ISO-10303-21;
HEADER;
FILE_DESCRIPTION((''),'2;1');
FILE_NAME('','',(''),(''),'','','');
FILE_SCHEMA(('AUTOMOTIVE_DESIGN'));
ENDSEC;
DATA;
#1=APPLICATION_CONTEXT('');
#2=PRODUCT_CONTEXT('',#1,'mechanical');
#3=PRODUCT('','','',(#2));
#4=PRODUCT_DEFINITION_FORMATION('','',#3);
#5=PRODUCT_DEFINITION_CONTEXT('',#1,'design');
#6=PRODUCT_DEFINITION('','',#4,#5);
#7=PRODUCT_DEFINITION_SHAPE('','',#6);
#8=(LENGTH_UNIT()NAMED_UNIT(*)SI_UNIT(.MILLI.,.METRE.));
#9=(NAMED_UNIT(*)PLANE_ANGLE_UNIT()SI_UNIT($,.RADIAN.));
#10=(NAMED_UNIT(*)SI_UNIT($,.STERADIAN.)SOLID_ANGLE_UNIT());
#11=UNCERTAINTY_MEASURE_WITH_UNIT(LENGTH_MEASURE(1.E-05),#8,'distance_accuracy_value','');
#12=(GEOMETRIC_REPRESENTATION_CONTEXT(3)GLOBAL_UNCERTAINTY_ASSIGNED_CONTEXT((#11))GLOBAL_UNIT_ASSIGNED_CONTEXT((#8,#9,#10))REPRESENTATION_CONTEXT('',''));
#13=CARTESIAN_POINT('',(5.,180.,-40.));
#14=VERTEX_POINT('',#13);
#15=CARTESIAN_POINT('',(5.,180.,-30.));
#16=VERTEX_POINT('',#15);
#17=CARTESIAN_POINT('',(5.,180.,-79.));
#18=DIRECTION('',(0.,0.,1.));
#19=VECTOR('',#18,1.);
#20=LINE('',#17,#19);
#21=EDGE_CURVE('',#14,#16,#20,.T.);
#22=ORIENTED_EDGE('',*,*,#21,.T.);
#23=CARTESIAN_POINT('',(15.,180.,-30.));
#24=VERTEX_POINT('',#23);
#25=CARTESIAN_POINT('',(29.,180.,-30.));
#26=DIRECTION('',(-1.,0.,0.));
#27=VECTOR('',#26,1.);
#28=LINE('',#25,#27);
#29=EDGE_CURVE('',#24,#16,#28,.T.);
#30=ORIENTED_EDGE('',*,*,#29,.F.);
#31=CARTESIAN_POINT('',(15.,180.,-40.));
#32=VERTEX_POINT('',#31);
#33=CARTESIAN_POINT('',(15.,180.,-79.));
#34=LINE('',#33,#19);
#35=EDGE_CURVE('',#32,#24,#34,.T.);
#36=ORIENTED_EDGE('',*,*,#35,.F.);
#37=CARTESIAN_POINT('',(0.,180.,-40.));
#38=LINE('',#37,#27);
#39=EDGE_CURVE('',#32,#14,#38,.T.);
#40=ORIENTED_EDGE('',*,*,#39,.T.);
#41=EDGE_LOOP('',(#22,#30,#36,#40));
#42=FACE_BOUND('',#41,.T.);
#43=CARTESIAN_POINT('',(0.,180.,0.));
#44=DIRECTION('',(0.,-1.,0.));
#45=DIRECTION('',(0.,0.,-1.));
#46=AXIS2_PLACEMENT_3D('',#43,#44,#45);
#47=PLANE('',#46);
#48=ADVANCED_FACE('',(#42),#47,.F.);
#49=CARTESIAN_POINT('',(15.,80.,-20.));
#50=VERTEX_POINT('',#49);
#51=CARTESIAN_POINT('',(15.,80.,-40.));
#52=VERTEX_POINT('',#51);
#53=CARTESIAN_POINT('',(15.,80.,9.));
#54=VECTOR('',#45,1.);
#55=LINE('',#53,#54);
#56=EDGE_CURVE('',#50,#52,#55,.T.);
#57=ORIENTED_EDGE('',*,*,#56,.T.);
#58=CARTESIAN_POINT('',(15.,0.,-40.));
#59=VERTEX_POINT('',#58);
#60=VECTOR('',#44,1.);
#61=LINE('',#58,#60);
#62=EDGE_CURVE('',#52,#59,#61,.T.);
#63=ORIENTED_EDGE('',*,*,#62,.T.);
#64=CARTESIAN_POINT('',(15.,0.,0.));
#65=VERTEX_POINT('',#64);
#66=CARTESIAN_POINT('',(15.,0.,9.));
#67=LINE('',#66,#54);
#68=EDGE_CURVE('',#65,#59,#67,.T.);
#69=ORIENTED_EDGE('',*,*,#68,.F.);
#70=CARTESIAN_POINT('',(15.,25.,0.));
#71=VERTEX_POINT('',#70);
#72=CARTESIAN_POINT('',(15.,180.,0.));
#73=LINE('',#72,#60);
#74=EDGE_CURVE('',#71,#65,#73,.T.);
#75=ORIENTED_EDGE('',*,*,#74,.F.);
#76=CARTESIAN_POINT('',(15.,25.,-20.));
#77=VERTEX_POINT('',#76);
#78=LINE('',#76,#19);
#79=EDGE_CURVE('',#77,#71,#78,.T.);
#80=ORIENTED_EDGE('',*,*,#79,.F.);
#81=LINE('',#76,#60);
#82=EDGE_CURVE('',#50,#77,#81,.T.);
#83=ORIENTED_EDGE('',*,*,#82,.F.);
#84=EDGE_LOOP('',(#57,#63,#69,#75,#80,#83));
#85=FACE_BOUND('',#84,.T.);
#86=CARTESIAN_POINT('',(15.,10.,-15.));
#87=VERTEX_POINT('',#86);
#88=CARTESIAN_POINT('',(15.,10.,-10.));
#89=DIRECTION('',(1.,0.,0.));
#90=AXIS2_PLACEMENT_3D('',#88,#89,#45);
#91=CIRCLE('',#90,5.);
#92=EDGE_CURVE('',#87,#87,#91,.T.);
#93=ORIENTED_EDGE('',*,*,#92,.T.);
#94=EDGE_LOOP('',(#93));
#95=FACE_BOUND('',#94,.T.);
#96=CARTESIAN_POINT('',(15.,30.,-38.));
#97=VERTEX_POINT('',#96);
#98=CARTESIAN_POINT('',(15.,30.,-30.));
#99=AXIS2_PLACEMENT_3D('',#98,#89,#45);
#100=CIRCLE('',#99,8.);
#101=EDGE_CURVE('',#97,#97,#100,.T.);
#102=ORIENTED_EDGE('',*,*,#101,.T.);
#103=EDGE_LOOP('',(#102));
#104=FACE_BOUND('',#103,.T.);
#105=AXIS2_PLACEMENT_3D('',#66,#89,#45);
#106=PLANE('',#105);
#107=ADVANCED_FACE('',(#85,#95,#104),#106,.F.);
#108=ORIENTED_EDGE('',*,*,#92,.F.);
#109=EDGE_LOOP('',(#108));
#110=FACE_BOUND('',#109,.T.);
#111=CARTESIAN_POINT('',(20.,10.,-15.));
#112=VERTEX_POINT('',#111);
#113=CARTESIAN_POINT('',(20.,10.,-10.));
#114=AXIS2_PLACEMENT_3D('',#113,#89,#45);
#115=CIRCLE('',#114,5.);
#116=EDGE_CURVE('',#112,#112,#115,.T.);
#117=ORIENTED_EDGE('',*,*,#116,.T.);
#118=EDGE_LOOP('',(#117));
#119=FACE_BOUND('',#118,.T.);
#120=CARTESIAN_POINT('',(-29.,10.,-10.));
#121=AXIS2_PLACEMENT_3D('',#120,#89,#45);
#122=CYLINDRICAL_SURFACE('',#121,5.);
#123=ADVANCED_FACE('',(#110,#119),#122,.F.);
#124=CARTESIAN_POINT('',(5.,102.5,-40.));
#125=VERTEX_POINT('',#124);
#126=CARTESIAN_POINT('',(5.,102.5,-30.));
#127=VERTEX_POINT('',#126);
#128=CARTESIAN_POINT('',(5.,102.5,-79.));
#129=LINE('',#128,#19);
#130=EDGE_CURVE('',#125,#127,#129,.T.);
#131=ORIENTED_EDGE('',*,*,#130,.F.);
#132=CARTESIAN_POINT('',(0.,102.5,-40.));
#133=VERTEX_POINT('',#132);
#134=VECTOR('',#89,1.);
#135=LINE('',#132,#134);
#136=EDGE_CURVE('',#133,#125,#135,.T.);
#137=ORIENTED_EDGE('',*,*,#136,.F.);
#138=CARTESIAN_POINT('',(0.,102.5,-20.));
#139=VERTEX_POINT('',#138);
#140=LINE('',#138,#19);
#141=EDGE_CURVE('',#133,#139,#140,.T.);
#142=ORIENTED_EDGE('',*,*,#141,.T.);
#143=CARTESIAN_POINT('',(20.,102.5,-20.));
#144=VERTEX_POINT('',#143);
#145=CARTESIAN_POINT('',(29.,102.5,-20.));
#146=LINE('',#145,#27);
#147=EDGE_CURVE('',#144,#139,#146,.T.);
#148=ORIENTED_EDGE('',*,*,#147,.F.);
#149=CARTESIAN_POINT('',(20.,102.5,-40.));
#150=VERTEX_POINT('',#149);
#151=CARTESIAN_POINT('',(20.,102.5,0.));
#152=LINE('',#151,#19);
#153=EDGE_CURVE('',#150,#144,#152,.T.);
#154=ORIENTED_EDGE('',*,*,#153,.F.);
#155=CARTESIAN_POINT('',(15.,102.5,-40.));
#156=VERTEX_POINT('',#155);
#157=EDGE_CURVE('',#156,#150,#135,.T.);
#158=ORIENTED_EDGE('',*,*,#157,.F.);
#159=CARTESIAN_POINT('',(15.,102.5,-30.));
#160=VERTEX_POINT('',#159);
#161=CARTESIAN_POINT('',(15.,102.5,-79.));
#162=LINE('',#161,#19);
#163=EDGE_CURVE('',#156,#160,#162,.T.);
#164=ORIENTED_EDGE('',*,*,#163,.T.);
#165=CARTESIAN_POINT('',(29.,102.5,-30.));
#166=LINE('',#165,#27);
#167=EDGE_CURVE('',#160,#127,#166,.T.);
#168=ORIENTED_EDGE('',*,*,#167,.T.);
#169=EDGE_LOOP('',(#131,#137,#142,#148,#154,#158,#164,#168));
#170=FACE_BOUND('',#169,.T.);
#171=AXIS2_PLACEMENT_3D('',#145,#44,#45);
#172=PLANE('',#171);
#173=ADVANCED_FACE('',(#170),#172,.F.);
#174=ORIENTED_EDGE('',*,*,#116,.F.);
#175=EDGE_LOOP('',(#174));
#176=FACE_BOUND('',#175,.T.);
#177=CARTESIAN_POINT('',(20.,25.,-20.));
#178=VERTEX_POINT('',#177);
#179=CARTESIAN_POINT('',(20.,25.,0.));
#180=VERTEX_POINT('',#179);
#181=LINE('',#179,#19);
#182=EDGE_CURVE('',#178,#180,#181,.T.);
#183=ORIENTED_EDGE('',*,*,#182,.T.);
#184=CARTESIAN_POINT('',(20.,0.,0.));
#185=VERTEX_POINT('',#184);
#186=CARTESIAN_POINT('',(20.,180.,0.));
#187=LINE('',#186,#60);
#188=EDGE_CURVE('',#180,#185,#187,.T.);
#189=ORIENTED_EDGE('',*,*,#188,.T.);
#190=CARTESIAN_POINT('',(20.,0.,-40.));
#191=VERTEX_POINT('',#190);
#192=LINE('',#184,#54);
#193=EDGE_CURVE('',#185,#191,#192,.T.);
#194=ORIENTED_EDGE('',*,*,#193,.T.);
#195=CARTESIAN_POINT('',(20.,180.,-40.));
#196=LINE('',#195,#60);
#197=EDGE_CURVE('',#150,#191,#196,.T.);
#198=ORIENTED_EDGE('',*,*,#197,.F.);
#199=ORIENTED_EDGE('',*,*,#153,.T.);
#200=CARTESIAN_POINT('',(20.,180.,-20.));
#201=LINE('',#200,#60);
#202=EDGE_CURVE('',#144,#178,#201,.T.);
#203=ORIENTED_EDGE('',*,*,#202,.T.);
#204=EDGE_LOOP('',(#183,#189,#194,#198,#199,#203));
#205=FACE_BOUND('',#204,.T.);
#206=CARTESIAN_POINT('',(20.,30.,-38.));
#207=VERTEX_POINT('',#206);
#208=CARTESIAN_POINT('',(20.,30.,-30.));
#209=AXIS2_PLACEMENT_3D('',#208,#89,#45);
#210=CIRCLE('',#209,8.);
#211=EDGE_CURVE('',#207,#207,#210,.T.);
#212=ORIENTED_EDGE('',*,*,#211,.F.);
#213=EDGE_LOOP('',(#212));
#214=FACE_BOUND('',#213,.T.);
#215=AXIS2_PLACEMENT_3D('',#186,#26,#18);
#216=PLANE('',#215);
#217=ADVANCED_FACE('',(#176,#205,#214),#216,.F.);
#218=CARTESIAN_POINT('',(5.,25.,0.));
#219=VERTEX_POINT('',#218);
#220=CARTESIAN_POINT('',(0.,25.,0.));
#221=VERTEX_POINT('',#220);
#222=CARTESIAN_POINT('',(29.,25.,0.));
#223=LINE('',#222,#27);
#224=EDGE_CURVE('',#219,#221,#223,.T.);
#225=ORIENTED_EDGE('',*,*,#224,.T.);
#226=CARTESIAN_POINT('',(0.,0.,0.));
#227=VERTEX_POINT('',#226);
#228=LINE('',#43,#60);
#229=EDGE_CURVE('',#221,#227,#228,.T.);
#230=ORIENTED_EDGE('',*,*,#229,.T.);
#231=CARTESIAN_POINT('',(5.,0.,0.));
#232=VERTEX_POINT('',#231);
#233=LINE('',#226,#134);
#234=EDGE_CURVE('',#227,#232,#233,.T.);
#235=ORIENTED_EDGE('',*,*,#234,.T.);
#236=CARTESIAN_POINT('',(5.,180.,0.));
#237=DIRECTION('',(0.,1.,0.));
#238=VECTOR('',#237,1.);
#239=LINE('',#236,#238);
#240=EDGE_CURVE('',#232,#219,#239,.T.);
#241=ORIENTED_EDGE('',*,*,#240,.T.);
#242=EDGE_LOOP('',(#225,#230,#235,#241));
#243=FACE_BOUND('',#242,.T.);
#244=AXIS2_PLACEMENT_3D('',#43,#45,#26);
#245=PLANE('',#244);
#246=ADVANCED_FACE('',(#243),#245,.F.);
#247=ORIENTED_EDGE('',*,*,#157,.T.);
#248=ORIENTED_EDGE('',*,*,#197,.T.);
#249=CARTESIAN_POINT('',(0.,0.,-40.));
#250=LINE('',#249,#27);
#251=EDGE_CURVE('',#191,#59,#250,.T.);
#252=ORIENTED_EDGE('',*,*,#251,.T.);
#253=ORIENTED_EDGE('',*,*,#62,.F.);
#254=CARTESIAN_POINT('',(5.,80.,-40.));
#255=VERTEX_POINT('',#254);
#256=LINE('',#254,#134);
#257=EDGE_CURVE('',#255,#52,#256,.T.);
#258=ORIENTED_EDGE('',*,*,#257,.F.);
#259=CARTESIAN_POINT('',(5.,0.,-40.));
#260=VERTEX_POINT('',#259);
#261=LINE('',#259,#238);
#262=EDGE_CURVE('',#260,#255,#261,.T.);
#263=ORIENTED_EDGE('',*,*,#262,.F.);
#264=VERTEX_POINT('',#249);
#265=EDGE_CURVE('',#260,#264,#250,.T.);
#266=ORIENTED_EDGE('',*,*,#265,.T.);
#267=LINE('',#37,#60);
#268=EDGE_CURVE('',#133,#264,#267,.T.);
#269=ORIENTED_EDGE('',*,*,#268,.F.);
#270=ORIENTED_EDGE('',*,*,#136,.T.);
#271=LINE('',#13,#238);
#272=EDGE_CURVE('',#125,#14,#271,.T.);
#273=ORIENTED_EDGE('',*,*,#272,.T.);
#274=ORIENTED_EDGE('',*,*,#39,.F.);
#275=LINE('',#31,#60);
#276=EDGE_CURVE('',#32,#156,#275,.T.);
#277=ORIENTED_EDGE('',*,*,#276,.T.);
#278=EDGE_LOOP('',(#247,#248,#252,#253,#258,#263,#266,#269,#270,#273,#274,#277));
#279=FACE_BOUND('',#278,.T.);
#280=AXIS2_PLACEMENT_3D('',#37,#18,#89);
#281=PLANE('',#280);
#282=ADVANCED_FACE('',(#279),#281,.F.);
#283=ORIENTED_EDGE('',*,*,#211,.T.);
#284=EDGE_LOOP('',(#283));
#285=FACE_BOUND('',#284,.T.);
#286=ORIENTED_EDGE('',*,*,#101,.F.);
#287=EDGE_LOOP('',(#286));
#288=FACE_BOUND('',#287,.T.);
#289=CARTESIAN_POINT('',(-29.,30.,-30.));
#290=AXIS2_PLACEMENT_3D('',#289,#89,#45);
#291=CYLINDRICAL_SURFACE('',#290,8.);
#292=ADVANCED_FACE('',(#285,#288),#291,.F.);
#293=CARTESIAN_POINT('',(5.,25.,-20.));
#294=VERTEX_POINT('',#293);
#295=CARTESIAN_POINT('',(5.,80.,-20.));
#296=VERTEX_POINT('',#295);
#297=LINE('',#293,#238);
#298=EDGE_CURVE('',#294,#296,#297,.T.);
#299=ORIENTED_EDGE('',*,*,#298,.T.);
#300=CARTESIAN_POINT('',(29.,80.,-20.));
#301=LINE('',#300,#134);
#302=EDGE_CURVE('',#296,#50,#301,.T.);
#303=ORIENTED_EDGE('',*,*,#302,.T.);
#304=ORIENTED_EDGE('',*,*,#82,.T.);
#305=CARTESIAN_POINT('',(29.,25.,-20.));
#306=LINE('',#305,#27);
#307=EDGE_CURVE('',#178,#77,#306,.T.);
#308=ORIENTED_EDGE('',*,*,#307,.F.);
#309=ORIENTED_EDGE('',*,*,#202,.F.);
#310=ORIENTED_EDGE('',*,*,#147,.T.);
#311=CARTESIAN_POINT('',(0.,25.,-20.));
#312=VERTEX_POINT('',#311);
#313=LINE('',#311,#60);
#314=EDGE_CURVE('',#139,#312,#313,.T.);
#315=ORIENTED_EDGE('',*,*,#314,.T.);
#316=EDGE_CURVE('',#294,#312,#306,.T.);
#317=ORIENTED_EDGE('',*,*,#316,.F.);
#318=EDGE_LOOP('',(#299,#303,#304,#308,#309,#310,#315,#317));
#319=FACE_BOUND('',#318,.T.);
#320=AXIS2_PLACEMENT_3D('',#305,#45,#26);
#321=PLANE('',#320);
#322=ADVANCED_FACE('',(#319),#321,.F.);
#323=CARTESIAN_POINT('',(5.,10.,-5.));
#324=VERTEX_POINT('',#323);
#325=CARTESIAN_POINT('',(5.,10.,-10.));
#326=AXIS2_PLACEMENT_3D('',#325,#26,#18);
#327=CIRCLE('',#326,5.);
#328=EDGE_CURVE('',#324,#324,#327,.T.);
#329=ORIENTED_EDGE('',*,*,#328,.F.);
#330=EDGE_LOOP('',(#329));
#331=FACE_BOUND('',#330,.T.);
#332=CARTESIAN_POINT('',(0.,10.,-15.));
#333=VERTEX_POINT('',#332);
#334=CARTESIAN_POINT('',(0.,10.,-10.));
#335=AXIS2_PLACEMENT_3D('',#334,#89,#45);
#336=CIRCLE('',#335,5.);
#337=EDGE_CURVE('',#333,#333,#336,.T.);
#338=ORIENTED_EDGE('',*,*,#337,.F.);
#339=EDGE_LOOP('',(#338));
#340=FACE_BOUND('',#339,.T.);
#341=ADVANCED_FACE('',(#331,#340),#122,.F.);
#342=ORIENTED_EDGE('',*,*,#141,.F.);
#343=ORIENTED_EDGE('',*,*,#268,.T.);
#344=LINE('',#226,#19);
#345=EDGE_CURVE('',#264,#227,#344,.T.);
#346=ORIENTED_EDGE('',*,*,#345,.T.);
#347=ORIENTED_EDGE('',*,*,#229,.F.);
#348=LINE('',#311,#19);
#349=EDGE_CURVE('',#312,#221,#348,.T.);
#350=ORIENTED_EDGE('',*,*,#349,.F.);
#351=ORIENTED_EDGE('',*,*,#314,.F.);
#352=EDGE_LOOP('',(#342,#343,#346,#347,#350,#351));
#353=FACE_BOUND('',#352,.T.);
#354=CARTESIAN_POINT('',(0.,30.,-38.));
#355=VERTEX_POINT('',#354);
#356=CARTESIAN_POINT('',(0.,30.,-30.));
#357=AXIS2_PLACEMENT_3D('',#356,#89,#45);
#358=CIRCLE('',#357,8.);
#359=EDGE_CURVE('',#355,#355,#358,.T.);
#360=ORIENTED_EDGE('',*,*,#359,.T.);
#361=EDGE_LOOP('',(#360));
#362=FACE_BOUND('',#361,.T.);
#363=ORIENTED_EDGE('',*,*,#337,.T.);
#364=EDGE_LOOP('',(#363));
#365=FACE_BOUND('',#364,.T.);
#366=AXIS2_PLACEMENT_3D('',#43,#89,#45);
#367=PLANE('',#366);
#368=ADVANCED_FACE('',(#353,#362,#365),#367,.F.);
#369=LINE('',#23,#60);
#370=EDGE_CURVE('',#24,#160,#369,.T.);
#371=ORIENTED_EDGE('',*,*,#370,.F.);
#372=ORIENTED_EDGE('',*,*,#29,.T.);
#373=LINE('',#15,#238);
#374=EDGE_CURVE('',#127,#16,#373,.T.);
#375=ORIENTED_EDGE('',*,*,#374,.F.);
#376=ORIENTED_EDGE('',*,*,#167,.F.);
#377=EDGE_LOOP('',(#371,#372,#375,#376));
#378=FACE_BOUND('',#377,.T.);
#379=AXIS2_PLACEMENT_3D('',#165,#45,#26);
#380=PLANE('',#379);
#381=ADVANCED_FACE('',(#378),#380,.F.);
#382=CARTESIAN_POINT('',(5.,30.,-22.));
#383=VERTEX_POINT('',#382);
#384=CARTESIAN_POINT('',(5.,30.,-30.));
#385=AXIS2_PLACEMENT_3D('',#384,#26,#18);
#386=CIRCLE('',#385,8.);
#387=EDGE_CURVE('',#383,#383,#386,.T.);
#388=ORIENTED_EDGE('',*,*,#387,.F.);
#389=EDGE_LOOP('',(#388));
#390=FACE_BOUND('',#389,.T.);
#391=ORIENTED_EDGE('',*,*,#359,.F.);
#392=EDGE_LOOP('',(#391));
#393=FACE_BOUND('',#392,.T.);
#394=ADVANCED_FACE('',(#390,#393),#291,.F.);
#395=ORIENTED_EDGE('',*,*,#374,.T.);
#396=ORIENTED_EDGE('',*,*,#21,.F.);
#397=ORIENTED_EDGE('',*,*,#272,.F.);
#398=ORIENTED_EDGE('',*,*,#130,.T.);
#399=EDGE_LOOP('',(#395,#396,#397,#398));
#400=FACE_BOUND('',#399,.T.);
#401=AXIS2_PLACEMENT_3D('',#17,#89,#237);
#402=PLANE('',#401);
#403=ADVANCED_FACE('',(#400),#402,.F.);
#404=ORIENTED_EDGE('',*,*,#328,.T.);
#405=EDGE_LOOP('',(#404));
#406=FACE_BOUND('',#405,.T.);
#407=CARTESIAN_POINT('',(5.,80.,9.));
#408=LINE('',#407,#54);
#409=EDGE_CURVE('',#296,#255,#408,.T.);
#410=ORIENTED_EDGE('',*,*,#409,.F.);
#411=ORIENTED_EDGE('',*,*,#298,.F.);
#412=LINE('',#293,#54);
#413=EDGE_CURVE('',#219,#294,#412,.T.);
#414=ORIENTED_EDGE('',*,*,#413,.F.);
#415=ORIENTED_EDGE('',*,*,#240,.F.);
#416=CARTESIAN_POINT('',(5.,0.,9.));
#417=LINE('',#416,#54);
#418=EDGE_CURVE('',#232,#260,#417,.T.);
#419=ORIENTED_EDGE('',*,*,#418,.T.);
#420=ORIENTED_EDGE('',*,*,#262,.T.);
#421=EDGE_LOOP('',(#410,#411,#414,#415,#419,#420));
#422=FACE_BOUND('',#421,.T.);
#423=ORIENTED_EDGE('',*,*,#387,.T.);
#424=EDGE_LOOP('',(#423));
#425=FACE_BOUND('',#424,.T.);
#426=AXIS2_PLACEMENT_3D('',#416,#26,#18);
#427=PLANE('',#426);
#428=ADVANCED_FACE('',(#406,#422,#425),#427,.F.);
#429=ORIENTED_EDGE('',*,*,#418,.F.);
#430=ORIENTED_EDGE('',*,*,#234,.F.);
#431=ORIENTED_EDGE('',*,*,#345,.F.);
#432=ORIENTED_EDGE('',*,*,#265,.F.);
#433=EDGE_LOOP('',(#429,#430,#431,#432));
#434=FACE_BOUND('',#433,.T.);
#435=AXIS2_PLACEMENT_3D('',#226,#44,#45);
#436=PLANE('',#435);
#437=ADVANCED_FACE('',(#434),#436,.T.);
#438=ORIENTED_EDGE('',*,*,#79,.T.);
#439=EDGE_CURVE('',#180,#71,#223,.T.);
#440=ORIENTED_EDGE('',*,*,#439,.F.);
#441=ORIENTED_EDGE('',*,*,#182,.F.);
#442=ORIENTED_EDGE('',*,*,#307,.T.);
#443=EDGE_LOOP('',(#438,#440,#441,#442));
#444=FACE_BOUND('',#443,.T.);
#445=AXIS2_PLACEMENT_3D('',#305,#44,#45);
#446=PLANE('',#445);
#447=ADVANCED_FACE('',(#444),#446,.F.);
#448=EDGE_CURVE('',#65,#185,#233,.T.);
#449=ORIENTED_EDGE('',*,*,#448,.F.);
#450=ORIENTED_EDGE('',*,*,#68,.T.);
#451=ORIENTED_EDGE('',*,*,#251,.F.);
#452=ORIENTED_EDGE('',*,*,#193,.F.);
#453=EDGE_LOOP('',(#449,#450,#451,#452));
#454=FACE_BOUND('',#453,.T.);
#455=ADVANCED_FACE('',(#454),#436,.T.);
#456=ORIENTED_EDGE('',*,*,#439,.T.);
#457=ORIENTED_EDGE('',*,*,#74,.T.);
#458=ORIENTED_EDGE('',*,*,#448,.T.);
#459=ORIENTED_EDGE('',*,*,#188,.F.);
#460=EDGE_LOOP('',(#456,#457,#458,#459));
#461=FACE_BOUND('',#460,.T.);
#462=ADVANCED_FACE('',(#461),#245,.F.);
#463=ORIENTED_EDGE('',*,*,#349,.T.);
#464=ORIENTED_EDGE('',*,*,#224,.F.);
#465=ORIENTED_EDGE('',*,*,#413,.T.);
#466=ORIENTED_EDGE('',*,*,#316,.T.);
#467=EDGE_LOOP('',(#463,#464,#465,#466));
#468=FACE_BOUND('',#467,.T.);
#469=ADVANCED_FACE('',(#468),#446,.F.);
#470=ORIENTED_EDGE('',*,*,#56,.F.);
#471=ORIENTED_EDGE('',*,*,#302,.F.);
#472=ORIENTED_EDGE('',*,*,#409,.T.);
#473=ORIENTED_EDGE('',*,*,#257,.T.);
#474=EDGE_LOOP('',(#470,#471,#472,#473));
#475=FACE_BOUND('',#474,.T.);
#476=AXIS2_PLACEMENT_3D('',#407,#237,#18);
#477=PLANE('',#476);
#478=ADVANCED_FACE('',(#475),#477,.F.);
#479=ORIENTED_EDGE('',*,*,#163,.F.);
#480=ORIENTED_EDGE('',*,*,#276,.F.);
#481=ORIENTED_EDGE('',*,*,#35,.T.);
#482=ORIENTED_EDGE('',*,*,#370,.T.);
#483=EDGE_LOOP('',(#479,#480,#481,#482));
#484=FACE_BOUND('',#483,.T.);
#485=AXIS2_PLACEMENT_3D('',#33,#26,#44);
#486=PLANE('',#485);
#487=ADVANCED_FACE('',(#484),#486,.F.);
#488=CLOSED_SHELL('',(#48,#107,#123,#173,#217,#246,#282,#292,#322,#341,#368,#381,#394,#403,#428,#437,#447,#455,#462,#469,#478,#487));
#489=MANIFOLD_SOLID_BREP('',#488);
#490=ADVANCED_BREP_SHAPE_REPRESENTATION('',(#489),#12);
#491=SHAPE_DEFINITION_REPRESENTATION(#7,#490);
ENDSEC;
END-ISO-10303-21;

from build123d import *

# Parameters (mm, degrees)
SKETCH1_W           = 20
SKETCH1_H           = 40
BOSS_EXTRUDE1_DEPTH = 180
SKETCH2_W           = 20
SKETCH2_H           = 155
CUT_EXTRUDE1_DEPTH  = 29
SKETCH3_W           = 10
SKETCH3_H           = 77.5
CUT_EXTRUDE2_DEPTH  = 29
SKETCH4_W           = 10
SKETCH4_H           = 80
CUT_EXTRUDE3_DEPTH  = 49
SKETCH5_W           = 5
SKETCH5_H           = 77.5
CUT_EXTRUDE4_DEPTH  = 49
SKETCH6_W           = 5
SKETCH6_H           = 77.5
CUT_EXTRUDE5_DEPTH  = 49
SKETCH7_R           = 5
CUT_EXTRUDE6_DEPTH  = 49
SKETCH8_R           = 8
CUT_EXTRUDE7_DEPTH  = 49


with BuildPart() as part:
    # Sketch1 → Boss-Extrude1 (new body)
    with BuildSketch(Plane(origin=(0, 0, 0), x_dir=(1, 0, 0), z_dir=(0, 1, 0))):
        with Locations((10, 20)):
            Rectangle(SKETCH1_W, SKETCH1_H)
    extrude(amount=BOSS_EXTRUDE1_DEPTH)

    # Sketch2 → Cut-Extrude1 (cut)
    with BuildSketch(Plane.ZY):
        with Locations((-10, 102.5)):
            Rectangle(SKETCH2_W, SKETCH2_H)
    extrude(amount=-CUT_EXTRUDE1_DEPTH, mode=Mode.SUBTRACT)

    # Sketch3 → Cut-Extrude2 (cut)
    with BuildSketch(Plane.ZY):
        with Locations((-25, 141.25)):
            Rectangle(SKETCH3_W, SKETCH3_H)
    extrude(amount=-CUT_EXTRUDE2_DEPTH, mode=Mode.SUBTRACT)

    # Sketch4 → Cut-Extrude3 (cut)
    with BuildSketch(Plane(origin=(0, 0, -40), x_dir=(-1, 0, 0), z_dir=(0, 0, -1))):
        with Locations((-10, 40)):
            Rectangle(SKETCH4_W, SKETCH4_H)
    extrude(amount=-CUT_EXTRUDE3_DEPTH, mode=Mode.SUBTRACT)

    # Sketch5 → Cut-Extrude4 (cut)
    with BuildSketch(Plane.XY.offset(-30)):
        with Locations((2.5, 141.25)):
            Rectangle(SKETCH5_W, SKETCH5_H)
    extrude(amount=-CUT_EXTRUDE4_DEPTH, mode=Mode.SUBTRACT)

    # Sketch6 → Cut-Extrude5 (cut)
    with BuildSketch(Plane.XY.offset(-30)):
        with Locations((17.5, 141.25)):
            Rectangle(SKETCH6_W, SKETCH6_H)
    extrude(amount=-CUT_EXTRUDE5_DEPTH, mode=Mode.SUBTRACT)

    # Sketch7 → Cut-Extrude6 (cut)
    with BuildSketch(Plane(origin=(20, 0, 0), x_dir=(0, 0, -1), z_dir=(1, 0, 0))):
        with Locations((10, 10)):
            Circle(SKETCH7_R)
    extrude(amount=-CUT_EXTRUDE6_DEPTH, mode=Mode.SUBTRACT)

    # Sketch8 → Cut-Extrude7 (cut)
    with BuildSketch(Plane(origin=(20, 0, 0), x_dir=(0, 0, -1), z_dir=(1, 0, 0))):
        with Locations((30, 30)):
            Circle(SKETCH8_R)
    extrude(amount=-CUT_EXTRUDE7_DEPTH, mode=Mode.SUBTRACT)


solid = part.part
